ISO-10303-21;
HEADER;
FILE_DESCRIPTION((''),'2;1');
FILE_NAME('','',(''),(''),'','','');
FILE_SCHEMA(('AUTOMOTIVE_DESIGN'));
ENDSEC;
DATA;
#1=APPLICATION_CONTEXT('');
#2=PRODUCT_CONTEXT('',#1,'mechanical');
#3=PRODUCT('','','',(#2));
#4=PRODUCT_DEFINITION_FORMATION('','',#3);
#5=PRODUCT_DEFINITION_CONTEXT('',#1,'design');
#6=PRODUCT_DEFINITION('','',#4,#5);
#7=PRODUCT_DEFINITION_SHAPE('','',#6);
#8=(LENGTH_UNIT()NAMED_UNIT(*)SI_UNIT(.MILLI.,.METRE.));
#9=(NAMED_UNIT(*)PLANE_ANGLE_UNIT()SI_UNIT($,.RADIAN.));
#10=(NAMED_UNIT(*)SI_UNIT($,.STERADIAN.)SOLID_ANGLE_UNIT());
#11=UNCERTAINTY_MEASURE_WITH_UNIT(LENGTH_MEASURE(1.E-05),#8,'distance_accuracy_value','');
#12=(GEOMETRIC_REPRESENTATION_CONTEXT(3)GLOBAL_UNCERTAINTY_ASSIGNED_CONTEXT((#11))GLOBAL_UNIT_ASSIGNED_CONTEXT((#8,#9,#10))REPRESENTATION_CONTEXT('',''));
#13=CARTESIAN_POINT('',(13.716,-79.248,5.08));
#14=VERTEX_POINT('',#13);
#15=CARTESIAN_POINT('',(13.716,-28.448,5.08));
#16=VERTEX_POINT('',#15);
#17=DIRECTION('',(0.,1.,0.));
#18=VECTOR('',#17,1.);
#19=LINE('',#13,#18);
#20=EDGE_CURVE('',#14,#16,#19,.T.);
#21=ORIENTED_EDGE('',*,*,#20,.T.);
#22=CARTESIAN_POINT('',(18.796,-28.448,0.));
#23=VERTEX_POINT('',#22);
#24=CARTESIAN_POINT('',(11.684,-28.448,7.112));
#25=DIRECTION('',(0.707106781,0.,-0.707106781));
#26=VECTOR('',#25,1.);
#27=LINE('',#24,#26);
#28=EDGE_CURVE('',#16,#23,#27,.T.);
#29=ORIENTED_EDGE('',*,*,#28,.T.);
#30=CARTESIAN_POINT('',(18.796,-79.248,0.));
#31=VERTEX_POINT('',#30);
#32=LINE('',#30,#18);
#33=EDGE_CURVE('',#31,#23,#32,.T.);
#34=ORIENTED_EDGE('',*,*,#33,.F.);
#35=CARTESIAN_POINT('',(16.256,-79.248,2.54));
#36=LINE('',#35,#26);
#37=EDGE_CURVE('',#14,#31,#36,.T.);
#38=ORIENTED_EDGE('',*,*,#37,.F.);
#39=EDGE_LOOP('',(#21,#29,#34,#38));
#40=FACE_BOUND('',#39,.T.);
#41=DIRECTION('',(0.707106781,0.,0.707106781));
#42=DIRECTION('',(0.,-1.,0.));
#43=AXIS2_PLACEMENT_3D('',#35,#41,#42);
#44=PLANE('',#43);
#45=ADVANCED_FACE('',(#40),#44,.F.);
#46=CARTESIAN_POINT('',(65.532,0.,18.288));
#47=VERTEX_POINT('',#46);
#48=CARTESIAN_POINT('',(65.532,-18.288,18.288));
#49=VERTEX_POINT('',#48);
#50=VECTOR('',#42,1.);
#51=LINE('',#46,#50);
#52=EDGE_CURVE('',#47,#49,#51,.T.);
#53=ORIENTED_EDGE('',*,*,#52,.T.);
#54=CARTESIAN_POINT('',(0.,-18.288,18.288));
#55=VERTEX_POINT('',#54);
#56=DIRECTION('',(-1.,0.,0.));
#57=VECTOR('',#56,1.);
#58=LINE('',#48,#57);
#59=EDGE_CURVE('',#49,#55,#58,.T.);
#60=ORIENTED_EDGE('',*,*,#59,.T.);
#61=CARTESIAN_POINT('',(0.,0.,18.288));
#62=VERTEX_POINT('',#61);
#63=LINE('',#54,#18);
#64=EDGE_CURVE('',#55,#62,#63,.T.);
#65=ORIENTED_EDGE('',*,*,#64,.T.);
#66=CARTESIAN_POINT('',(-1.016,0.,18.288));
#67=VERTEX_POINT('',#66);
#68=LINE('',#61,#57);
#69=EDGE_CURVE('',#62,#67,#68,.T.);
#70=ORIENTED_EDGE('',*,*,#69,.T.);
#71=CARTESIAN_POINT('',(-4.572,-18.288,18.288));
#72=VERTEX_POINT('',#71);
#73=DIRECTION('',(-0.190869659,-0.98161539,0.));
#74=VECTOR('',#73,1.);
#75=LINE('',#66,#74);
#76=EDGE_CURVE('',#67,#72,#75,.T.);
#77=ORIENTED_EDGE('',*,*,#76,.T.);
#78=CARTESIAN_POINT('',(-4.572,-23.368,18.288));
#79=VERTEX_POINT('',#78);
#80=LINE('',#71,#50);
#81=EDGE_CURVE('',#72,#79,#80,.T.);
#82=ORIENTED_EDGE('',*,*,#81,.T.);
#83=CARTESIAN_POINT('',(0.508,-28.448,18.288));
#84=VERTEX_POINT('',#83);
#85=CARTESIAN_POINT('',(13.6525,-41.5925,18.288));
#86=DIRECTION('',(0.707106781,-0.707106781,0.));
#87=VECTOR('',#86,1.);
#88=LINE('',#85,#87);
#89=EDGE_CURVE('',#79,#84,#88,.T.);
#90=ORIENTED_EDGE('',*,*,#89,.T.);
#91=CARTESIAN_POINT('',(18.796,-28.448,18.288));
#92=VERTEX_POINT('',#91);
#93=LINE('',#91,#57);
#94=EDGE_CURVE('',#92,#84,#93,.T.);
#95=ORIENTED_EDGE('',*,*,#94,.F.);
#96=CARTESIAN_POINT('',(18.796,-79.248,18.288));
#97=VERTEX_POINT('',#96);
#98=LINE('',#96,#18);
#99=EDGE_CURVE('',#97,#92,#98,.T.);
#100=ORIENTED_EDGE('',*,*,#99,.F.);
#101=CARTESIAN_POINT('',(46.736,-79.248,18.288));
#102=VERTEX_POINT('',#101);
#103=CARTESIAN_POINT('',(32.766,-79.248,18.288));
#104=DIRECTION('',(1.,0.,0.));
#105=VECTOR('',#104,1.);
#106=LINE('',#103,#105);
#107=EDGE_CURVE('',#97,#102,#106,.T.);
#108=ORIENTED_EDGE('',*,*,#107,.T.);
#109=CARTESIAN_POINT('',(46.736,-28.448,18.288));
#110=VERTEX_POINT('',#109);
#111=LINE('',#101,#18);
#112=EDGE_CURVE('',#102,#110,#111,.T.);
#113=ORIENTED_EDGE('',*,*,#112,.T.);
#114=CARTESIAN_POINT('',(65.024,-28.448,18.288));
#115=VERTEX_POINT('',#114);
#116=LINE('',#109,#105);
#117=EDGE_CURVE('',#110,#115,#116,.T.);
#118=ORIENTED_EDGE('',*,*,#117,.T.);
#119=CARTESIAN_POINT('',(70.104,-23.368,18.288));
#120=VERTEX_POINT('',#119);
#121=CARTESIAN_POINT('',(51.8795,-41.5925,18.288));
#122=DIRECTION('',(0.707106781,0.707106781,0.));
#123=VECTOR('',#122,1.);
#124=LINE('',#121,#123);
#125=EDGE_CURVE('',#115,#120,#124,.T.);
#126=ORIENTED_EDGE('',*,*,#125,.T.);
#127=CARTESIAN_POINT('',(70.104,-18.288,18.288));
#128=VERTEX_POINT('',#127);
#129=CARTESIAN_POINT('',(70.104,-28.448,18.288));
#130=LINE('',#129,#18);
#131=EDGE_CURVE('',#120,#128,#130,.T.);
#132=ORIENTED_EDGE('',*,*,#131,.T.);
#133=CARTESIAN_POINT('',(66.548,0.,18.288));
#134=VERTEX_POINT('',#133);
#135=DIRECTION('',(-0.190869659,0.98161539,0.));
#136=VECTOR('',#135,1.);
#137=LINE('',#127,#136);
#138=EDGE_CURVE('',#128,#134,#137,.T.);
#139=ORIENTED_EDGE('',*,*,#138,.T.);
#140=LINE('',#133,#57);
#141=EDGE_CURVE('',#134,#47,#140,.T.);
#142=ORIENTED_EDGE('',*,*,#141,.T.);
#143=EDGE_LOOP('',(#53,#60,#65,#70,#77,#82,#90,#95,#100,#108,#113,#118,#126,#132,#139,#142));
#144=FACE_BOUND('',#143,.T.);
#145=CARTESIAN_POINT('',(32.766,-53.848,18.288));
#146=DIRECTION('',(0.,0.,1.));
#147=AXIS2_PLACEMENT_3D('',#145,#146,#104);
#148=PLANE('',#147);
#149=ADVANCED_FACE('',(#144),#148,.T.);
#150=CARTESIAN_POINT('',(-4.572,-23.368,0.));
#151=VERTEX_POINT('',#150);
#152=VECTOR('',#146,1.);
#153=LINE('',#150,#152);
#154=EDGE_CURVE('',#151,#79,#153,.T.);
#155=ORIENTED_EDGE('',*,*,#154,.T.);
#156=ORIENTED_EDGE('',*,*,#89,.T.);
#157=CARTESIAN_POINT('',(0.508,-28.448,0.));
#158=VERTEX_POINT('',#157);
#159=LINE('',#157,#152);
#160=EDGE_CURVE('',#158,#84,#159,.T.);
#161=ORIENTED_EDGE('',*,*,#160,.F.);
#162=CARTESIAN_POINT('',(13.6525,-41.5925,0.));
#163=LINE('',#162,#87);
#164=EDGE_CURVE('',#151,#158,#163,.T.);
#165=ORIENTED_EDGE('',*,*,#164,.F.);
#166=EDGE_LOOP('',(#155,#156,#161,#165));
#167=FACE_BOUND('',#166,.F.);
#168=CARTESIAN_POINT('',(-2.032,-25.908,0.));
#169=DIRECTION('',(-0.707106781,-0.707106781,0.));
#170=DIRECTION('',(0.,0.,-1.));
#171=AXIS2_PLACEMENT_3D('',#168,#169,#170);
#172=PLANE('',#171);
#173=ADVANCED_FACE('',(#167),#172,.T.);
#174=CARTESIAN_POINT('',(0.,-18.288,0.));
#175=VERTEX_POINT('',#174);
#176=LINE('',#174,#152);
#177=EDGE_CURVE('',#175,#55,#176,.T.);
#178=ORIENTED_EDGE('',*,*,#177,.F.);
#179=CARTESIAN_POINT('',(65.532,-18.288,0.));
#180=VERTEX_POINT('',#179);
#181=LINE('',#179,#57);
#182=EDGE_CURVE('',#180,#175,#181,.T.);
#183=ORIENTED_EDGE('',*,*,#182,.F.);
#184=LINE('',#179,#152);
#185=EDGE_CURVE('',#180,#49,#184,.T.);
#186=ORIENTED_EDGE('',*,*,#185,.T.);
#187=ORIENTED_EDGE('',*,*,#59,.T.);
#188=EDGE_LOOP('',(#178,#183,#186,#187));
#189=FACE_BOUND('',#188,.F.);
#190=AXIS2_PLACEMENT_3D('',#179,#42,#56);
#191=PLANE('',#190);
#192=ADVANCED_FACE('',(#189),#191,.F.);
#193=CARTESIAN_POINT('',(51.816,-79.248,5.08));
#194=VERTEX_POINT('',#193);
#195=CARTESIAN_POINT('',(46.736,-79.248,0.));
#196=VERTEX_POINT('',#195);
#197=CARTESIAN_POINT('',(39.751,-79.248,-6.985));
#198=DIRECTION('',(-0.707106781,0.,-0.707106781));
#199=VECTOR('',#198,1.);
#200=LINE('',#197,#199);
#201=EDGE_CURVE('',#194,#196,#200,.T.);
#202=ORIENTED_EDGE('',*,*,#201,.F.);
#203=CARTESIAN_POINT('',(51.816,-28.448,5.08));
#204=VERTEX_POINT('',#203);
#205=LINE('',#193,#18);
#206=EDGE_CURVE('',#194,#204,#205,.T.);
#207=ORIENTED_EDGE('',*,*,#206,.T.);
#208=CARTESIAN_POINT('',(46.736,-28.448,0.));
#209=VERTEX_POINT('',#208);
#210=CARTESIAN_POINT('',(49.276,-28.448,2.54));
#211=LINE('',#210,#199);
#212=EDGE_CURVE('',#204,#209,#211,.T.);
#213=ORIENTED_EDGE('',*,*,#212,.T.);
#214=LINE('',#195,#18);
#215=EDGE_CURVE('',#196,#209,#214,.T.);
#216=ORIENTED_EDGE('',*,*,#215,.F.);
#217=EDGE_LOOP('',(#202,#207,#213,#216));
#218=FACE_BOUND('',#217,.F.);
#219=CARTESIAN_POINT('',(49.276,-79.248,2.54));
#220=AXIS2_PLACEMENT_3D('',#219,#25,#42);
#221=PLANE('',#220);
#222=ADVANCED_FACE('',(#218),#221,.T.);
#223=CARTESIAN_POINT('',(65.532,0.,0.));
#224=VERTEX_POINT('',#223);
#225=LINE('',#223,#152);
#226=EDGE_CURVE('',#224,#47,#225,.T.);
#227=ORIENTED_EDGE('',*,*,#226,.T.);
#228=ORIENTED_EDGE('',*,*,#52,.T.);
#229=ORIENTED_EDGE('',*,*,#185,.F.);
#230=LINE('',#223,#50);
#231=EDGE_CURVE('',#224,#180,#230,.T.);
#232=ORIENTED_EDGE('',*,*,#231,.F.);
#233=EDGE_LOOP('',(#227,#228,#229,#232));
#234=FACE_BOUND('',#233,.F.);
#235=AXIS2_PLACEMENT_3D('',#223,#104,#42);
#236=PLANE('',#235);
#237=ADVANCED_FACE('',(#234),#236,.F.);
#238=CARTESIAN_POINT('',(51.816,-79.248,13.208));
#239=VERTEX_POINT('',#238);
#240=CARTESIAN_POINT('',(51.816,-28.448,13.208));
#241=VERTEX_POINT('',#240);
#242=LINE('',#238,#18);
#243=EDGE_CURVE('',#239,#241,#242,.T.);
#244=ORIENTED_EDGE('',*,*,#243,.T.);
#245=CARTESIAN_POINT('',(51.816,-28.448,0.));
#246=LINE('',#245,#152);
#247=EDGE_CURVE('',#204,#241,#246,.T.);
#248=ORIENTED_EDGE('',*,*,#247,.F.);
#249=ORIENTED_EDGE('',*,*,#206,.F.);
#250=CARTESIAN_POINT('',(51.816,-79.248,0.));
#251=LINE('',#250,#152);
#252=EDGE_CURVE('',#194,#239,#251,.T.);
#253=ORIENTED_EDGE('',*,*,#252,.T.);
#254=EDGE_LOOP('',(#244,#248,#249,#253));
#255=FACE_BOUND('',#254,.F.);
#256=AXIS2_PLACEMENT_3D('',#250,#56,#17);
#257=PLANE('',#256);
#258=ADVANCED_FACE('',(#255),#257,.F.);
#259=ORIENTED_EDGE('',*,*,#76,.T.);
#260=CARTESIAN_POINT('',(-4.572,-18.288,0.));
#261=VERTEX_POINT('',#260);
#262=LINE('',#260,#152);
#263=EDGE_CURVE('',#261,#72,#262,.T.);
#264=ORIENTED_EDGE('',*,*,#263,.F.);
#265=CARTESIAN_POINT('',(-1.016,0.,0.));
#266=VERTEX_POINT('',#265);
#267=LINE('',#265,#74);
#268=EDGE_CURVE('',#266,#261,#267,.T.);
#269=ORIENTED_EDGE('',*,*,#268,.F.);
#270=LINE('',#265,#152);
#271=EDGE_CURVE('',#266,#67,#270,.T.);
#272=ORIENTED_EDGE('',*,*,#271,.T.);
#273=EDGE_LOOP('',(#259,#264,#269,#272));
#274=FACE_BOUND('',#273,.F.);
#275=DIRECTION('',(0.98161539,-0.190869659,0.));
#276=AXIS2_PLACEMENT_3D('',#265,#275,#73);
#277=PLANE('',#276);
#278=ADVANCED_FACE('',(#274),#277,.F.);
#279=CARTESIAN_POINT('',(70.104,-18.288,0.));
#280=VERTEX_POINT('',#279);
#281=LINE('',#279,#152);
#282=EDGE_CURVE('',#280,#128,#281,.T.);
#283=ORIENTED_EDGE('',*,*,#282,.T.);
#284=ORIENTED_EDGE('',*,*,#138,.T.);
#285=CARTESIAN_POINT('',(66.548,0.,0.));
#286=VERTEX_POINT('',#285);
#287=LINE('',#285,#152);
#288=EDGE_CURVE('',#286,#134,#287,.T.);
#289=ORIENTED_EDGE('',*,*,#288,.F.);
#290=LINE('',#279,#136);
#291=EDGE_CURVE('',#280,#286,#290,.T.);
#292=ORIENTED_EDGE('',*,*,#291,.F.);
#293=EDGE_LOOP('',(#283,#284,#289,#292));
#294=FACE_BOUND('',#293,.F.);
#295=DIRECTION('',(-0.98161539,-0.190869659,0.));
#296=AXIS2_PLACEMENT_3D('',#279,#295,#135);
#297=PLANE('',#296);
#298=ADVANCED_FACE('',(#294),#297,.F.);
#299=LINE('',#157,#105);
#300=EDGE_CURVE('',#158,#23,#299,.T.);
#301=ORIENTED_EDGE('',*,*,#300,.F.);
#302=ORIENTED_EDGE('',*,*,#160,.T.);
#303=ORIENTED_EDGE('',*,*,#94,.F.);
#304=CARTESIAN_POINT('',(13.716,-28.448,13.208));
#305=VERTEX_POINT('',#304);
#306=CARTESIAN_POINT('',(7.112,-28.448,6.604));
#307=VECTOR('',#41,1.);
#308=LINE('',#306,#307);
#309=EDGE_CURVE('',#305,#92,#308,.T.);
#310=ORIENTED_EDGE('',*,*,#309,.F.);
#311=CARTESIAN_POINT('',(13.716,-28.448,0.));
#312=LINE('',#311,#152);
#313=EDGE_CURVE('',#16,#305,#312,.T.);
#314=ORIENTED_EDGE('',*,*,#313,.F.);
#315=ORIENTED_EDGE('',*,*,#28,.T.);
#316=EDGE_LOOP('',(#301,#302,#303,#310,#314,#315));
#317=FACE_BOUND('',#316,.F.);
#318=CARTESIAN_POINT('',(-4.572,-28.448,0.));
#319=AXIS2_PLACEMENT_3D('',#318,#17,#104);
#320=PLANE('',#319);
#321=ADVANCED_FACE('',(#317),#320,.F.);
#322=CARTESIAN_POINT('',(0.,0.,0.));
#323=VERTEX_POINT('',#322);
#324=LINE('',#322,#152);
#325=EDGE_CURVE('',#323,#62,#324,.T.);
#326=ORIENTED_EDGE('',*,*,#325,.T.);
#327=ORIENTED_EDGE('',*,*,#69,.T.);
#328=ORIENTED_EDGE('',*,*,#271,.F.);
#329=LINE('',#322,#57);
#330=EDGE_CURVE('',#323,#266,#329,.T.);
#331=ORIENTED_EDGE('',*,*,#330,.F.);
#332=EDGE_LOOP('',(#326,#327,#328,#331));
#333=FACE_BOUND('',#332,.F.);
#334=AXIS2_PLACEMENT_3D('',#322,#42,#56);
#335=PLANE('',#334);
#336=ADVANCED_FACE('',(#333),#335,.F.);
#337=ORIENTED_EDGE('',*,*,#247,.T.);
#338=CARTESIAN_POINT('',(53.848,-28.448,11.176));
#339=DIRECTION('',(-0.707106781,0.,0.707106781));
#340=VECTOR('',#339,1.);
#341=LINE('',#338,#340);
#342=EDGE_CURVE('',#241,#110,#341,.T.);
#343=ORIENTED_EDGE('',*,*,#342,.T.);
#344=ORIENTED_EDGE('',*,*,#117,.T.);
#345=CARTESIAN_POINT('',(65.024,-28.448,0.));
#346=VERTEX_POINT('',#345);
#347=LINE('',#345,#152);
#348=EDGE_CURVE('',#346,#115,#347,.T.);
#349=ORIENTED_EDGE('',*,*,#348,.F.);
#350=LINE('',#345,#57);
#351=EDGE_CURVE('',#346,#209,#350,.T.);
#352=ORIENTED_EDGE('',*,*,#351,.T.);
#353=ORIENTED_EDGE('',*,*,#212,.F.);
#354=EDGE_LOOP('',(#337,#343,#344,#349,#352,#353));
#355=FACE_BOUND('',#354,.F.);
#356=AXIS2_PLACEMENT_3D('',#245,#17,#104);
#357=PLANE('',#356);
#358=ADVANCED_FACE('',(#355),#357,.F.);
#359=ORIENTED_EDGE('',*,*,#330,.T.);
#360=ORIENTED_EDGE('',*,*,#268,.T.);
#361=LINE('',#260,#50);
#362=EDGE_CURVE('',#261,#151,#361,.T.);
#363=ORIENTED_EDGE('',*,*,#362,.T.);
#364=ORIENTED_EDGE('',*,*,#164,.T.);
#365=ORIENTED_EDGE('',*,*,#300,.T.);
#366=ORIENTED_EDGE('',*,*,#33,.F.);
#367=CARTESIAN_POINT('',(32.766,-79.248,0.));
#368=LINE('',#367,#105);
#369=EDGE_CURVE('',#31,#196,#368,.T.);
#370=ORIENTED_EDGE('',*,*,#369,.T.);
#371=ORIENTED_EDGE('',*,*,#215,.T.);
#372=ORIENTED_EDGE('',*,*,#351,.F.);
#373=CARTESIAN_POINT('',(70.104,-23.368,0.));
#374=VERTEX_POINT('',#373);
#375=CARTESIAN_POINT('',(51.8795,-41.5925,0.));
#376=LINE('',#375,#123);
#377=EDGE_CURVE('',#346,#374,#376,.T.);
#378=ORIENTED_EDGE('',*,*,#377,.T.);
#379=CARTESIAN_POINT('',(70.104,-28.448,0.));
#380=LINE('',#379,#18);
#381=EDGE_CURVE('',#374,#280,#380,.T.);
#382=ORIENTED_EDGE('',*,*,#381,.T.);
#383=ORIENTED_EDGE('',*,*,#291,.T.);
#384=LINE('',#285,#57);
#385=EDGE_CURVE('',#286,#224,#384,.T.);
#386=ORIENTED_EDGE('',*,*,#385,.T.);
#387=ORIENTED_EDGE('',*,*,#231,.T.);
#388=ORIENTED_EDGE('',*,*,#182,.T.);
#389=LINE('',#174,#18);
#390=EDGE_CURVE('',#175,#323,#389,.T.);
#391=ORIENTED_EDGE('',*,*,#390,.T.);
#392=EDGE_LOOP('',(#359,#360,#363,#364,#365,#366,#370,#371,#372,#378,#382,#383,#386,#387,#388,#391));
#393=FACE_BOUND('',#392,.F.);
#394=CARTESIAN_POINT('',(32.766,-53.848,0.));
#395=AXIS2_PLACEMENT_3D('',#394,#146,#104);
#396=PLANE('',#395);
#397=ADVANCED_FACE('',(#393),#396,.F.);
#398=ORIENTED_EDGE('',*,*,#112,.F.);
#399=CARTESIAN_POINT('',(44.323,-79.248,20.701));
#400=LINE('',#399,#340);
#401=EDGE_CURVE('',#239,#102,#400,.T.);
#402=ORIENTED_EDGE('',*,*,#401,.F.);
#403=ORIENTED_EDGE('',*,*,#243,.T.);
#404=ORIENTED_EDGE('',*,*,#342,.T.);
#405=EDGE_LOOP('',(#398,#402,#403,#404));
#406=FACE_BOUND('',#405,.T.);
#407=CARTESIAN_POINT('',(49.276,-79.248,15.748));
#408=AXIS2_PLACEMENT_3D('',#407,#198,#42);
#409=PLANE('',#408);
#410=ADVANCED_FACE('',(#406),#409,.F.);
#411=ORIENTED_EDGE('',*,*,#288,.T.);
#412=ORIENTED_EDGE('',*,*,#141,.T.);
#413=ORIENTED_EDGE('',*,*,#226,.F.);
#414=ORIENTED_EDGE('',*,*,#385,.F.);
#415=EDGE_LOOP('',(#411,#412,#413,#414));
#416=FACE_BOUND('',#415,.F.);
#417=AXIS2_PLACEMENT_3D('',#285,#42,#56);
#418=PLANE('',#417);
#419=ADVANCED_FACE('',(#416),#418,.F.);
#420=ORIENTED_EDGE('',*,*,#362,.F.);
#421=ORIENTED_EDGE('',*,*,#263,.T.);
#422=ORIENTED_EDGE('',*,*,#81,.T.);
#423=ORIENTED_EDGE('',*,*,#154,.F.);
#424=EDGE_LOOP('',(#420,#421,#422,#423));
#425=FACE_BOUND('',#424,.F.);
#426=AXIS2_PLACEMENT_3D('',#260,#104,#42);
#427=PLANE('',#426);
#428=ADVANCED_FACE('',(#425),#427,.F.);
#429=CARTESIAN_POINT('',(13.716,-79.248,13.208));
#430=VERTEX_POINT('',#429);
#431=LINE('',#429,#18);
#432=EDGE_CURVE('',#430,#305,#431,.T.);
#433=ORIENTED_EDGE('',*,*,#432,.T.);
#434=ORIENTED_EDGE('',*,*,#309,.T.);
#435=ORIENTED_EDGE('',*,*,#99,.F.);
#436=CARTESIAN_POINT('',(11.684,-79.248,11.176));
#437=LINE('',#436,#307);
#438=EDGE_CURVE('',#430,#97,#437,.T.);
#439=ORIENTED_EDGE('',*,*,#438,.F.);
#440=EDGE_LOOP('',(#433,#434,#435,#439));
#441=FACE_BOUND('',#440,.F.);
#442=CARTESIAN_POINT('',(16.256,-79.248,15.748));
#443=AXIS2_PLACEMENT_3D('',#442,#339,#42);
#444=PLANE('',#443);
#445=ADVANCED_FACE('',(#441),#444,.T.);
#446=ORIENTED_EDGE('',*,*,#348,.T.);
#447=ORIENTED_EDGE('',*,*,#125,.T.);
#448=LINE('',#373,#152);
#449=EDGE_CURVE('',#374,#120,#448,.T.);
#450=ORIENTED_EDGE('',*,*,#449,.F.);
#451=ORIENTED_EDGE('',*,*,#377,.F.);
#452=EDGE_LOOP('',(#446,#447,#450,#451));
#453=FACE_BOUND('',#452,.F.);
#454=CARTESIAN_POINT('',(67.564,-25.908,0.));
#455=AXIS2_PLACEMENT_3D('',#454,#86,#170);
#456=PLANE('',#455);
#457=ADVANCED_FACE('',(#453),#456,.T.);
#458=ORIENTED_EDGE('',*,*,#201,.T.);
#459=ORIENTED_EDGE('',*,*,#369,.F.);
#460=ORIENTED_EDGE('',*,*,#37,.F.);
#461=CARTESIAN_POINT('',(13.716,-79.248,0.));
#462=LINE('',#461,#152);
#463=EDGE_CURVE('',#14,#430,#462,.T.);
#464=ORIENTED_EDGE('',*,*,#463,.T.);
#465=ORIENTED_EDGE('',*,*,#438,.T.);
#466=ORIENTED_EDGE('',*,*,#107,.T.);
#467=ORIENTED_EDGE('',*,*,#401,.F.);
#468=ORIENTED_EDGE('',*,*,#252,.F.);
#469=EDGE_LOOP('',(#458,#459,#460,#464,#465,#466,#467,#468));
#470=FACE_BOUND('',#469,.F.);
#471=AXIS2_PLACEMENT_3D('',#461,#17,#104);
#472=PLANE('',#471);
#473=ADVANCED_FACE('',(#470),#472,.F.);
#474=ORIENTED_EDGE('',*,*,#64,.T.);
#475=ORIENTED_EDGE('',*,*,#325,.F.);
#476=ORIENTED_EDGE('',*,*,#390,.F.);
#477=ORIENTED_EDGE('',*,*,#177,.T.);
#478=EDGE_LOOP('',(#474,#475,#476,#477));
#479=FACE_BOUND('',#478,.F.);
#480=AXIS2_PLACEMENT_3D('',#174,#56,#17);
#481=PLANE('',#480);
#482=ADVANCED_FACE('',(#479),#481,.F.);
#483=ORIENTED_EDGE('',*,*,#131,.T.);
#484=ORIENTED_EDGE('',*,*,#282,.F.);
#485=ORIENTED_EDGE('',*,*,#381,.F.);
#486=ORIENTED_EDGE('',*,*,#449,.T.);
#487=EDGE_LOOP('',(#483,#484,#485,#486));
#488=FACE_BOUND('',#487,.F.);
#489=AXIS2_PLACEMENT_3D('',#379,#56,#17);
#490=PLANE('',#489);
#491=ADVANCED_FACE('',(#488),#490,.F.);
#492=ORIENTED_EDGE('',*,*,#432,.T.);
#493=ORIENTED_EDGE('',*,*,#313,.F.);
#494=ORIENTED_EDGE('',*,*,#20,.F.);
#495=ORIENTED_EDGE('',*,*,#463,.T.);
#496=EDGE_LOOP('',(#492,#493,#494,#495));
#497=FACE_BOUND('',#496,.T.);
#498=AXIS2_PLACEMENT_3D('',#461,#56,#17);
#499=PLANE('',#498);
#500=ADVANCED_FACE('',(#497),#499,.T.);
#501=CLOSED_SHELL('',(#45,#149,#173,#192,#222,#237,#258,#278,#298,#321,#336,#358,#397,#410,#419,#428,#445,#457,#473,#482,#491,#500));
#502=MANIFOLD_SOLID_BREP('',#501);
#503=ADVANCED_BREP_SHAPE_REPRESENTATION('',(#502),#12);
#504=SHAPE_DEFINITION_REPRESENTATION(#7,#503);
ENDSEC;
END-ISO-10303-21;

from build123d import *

# Parameters (mm, degrees)
F0_W     = 38.1
F0_H     = 50.8
F1_DEPTH = 18.288
F2_SIZE  = 5.08


with BuildPart() as f1:
    # F0 (on Top) → F1 (new body)
    with BuildSketch(Plane.XY):
        with Locations((32.766, -53.848)):
            Rectangle(F0_W, F0_H)
        Polygon((65.532, -18.288), (0, -18.288), (0, 0), (-1.016, 0), (-4.572, -18.288), (-4.572, -28.448), (13.716, -28.448), (51.816, -28.448), (70.104, -28.448), (70.104, -18.288), (66.548, 0), (65.532, 0), align=None)
    extrude(amount=F1_DEPTH)

    # F2
    f2_edges = [f1.edges().sort_by_distance(p)[0] for p in [
        (13.716, -53.848, 18.288),
        (51.816, -53.848, 18.288),
        (51.816, -53.848, 0),
        (13.716, -53.848, 0),
        (-4.572, -28.448, 9.144),
        (70.104, -28.448, 9.144),
    ]]
    chamfer(f2_edges, length=F2_SIZE)


solid = f1.part
